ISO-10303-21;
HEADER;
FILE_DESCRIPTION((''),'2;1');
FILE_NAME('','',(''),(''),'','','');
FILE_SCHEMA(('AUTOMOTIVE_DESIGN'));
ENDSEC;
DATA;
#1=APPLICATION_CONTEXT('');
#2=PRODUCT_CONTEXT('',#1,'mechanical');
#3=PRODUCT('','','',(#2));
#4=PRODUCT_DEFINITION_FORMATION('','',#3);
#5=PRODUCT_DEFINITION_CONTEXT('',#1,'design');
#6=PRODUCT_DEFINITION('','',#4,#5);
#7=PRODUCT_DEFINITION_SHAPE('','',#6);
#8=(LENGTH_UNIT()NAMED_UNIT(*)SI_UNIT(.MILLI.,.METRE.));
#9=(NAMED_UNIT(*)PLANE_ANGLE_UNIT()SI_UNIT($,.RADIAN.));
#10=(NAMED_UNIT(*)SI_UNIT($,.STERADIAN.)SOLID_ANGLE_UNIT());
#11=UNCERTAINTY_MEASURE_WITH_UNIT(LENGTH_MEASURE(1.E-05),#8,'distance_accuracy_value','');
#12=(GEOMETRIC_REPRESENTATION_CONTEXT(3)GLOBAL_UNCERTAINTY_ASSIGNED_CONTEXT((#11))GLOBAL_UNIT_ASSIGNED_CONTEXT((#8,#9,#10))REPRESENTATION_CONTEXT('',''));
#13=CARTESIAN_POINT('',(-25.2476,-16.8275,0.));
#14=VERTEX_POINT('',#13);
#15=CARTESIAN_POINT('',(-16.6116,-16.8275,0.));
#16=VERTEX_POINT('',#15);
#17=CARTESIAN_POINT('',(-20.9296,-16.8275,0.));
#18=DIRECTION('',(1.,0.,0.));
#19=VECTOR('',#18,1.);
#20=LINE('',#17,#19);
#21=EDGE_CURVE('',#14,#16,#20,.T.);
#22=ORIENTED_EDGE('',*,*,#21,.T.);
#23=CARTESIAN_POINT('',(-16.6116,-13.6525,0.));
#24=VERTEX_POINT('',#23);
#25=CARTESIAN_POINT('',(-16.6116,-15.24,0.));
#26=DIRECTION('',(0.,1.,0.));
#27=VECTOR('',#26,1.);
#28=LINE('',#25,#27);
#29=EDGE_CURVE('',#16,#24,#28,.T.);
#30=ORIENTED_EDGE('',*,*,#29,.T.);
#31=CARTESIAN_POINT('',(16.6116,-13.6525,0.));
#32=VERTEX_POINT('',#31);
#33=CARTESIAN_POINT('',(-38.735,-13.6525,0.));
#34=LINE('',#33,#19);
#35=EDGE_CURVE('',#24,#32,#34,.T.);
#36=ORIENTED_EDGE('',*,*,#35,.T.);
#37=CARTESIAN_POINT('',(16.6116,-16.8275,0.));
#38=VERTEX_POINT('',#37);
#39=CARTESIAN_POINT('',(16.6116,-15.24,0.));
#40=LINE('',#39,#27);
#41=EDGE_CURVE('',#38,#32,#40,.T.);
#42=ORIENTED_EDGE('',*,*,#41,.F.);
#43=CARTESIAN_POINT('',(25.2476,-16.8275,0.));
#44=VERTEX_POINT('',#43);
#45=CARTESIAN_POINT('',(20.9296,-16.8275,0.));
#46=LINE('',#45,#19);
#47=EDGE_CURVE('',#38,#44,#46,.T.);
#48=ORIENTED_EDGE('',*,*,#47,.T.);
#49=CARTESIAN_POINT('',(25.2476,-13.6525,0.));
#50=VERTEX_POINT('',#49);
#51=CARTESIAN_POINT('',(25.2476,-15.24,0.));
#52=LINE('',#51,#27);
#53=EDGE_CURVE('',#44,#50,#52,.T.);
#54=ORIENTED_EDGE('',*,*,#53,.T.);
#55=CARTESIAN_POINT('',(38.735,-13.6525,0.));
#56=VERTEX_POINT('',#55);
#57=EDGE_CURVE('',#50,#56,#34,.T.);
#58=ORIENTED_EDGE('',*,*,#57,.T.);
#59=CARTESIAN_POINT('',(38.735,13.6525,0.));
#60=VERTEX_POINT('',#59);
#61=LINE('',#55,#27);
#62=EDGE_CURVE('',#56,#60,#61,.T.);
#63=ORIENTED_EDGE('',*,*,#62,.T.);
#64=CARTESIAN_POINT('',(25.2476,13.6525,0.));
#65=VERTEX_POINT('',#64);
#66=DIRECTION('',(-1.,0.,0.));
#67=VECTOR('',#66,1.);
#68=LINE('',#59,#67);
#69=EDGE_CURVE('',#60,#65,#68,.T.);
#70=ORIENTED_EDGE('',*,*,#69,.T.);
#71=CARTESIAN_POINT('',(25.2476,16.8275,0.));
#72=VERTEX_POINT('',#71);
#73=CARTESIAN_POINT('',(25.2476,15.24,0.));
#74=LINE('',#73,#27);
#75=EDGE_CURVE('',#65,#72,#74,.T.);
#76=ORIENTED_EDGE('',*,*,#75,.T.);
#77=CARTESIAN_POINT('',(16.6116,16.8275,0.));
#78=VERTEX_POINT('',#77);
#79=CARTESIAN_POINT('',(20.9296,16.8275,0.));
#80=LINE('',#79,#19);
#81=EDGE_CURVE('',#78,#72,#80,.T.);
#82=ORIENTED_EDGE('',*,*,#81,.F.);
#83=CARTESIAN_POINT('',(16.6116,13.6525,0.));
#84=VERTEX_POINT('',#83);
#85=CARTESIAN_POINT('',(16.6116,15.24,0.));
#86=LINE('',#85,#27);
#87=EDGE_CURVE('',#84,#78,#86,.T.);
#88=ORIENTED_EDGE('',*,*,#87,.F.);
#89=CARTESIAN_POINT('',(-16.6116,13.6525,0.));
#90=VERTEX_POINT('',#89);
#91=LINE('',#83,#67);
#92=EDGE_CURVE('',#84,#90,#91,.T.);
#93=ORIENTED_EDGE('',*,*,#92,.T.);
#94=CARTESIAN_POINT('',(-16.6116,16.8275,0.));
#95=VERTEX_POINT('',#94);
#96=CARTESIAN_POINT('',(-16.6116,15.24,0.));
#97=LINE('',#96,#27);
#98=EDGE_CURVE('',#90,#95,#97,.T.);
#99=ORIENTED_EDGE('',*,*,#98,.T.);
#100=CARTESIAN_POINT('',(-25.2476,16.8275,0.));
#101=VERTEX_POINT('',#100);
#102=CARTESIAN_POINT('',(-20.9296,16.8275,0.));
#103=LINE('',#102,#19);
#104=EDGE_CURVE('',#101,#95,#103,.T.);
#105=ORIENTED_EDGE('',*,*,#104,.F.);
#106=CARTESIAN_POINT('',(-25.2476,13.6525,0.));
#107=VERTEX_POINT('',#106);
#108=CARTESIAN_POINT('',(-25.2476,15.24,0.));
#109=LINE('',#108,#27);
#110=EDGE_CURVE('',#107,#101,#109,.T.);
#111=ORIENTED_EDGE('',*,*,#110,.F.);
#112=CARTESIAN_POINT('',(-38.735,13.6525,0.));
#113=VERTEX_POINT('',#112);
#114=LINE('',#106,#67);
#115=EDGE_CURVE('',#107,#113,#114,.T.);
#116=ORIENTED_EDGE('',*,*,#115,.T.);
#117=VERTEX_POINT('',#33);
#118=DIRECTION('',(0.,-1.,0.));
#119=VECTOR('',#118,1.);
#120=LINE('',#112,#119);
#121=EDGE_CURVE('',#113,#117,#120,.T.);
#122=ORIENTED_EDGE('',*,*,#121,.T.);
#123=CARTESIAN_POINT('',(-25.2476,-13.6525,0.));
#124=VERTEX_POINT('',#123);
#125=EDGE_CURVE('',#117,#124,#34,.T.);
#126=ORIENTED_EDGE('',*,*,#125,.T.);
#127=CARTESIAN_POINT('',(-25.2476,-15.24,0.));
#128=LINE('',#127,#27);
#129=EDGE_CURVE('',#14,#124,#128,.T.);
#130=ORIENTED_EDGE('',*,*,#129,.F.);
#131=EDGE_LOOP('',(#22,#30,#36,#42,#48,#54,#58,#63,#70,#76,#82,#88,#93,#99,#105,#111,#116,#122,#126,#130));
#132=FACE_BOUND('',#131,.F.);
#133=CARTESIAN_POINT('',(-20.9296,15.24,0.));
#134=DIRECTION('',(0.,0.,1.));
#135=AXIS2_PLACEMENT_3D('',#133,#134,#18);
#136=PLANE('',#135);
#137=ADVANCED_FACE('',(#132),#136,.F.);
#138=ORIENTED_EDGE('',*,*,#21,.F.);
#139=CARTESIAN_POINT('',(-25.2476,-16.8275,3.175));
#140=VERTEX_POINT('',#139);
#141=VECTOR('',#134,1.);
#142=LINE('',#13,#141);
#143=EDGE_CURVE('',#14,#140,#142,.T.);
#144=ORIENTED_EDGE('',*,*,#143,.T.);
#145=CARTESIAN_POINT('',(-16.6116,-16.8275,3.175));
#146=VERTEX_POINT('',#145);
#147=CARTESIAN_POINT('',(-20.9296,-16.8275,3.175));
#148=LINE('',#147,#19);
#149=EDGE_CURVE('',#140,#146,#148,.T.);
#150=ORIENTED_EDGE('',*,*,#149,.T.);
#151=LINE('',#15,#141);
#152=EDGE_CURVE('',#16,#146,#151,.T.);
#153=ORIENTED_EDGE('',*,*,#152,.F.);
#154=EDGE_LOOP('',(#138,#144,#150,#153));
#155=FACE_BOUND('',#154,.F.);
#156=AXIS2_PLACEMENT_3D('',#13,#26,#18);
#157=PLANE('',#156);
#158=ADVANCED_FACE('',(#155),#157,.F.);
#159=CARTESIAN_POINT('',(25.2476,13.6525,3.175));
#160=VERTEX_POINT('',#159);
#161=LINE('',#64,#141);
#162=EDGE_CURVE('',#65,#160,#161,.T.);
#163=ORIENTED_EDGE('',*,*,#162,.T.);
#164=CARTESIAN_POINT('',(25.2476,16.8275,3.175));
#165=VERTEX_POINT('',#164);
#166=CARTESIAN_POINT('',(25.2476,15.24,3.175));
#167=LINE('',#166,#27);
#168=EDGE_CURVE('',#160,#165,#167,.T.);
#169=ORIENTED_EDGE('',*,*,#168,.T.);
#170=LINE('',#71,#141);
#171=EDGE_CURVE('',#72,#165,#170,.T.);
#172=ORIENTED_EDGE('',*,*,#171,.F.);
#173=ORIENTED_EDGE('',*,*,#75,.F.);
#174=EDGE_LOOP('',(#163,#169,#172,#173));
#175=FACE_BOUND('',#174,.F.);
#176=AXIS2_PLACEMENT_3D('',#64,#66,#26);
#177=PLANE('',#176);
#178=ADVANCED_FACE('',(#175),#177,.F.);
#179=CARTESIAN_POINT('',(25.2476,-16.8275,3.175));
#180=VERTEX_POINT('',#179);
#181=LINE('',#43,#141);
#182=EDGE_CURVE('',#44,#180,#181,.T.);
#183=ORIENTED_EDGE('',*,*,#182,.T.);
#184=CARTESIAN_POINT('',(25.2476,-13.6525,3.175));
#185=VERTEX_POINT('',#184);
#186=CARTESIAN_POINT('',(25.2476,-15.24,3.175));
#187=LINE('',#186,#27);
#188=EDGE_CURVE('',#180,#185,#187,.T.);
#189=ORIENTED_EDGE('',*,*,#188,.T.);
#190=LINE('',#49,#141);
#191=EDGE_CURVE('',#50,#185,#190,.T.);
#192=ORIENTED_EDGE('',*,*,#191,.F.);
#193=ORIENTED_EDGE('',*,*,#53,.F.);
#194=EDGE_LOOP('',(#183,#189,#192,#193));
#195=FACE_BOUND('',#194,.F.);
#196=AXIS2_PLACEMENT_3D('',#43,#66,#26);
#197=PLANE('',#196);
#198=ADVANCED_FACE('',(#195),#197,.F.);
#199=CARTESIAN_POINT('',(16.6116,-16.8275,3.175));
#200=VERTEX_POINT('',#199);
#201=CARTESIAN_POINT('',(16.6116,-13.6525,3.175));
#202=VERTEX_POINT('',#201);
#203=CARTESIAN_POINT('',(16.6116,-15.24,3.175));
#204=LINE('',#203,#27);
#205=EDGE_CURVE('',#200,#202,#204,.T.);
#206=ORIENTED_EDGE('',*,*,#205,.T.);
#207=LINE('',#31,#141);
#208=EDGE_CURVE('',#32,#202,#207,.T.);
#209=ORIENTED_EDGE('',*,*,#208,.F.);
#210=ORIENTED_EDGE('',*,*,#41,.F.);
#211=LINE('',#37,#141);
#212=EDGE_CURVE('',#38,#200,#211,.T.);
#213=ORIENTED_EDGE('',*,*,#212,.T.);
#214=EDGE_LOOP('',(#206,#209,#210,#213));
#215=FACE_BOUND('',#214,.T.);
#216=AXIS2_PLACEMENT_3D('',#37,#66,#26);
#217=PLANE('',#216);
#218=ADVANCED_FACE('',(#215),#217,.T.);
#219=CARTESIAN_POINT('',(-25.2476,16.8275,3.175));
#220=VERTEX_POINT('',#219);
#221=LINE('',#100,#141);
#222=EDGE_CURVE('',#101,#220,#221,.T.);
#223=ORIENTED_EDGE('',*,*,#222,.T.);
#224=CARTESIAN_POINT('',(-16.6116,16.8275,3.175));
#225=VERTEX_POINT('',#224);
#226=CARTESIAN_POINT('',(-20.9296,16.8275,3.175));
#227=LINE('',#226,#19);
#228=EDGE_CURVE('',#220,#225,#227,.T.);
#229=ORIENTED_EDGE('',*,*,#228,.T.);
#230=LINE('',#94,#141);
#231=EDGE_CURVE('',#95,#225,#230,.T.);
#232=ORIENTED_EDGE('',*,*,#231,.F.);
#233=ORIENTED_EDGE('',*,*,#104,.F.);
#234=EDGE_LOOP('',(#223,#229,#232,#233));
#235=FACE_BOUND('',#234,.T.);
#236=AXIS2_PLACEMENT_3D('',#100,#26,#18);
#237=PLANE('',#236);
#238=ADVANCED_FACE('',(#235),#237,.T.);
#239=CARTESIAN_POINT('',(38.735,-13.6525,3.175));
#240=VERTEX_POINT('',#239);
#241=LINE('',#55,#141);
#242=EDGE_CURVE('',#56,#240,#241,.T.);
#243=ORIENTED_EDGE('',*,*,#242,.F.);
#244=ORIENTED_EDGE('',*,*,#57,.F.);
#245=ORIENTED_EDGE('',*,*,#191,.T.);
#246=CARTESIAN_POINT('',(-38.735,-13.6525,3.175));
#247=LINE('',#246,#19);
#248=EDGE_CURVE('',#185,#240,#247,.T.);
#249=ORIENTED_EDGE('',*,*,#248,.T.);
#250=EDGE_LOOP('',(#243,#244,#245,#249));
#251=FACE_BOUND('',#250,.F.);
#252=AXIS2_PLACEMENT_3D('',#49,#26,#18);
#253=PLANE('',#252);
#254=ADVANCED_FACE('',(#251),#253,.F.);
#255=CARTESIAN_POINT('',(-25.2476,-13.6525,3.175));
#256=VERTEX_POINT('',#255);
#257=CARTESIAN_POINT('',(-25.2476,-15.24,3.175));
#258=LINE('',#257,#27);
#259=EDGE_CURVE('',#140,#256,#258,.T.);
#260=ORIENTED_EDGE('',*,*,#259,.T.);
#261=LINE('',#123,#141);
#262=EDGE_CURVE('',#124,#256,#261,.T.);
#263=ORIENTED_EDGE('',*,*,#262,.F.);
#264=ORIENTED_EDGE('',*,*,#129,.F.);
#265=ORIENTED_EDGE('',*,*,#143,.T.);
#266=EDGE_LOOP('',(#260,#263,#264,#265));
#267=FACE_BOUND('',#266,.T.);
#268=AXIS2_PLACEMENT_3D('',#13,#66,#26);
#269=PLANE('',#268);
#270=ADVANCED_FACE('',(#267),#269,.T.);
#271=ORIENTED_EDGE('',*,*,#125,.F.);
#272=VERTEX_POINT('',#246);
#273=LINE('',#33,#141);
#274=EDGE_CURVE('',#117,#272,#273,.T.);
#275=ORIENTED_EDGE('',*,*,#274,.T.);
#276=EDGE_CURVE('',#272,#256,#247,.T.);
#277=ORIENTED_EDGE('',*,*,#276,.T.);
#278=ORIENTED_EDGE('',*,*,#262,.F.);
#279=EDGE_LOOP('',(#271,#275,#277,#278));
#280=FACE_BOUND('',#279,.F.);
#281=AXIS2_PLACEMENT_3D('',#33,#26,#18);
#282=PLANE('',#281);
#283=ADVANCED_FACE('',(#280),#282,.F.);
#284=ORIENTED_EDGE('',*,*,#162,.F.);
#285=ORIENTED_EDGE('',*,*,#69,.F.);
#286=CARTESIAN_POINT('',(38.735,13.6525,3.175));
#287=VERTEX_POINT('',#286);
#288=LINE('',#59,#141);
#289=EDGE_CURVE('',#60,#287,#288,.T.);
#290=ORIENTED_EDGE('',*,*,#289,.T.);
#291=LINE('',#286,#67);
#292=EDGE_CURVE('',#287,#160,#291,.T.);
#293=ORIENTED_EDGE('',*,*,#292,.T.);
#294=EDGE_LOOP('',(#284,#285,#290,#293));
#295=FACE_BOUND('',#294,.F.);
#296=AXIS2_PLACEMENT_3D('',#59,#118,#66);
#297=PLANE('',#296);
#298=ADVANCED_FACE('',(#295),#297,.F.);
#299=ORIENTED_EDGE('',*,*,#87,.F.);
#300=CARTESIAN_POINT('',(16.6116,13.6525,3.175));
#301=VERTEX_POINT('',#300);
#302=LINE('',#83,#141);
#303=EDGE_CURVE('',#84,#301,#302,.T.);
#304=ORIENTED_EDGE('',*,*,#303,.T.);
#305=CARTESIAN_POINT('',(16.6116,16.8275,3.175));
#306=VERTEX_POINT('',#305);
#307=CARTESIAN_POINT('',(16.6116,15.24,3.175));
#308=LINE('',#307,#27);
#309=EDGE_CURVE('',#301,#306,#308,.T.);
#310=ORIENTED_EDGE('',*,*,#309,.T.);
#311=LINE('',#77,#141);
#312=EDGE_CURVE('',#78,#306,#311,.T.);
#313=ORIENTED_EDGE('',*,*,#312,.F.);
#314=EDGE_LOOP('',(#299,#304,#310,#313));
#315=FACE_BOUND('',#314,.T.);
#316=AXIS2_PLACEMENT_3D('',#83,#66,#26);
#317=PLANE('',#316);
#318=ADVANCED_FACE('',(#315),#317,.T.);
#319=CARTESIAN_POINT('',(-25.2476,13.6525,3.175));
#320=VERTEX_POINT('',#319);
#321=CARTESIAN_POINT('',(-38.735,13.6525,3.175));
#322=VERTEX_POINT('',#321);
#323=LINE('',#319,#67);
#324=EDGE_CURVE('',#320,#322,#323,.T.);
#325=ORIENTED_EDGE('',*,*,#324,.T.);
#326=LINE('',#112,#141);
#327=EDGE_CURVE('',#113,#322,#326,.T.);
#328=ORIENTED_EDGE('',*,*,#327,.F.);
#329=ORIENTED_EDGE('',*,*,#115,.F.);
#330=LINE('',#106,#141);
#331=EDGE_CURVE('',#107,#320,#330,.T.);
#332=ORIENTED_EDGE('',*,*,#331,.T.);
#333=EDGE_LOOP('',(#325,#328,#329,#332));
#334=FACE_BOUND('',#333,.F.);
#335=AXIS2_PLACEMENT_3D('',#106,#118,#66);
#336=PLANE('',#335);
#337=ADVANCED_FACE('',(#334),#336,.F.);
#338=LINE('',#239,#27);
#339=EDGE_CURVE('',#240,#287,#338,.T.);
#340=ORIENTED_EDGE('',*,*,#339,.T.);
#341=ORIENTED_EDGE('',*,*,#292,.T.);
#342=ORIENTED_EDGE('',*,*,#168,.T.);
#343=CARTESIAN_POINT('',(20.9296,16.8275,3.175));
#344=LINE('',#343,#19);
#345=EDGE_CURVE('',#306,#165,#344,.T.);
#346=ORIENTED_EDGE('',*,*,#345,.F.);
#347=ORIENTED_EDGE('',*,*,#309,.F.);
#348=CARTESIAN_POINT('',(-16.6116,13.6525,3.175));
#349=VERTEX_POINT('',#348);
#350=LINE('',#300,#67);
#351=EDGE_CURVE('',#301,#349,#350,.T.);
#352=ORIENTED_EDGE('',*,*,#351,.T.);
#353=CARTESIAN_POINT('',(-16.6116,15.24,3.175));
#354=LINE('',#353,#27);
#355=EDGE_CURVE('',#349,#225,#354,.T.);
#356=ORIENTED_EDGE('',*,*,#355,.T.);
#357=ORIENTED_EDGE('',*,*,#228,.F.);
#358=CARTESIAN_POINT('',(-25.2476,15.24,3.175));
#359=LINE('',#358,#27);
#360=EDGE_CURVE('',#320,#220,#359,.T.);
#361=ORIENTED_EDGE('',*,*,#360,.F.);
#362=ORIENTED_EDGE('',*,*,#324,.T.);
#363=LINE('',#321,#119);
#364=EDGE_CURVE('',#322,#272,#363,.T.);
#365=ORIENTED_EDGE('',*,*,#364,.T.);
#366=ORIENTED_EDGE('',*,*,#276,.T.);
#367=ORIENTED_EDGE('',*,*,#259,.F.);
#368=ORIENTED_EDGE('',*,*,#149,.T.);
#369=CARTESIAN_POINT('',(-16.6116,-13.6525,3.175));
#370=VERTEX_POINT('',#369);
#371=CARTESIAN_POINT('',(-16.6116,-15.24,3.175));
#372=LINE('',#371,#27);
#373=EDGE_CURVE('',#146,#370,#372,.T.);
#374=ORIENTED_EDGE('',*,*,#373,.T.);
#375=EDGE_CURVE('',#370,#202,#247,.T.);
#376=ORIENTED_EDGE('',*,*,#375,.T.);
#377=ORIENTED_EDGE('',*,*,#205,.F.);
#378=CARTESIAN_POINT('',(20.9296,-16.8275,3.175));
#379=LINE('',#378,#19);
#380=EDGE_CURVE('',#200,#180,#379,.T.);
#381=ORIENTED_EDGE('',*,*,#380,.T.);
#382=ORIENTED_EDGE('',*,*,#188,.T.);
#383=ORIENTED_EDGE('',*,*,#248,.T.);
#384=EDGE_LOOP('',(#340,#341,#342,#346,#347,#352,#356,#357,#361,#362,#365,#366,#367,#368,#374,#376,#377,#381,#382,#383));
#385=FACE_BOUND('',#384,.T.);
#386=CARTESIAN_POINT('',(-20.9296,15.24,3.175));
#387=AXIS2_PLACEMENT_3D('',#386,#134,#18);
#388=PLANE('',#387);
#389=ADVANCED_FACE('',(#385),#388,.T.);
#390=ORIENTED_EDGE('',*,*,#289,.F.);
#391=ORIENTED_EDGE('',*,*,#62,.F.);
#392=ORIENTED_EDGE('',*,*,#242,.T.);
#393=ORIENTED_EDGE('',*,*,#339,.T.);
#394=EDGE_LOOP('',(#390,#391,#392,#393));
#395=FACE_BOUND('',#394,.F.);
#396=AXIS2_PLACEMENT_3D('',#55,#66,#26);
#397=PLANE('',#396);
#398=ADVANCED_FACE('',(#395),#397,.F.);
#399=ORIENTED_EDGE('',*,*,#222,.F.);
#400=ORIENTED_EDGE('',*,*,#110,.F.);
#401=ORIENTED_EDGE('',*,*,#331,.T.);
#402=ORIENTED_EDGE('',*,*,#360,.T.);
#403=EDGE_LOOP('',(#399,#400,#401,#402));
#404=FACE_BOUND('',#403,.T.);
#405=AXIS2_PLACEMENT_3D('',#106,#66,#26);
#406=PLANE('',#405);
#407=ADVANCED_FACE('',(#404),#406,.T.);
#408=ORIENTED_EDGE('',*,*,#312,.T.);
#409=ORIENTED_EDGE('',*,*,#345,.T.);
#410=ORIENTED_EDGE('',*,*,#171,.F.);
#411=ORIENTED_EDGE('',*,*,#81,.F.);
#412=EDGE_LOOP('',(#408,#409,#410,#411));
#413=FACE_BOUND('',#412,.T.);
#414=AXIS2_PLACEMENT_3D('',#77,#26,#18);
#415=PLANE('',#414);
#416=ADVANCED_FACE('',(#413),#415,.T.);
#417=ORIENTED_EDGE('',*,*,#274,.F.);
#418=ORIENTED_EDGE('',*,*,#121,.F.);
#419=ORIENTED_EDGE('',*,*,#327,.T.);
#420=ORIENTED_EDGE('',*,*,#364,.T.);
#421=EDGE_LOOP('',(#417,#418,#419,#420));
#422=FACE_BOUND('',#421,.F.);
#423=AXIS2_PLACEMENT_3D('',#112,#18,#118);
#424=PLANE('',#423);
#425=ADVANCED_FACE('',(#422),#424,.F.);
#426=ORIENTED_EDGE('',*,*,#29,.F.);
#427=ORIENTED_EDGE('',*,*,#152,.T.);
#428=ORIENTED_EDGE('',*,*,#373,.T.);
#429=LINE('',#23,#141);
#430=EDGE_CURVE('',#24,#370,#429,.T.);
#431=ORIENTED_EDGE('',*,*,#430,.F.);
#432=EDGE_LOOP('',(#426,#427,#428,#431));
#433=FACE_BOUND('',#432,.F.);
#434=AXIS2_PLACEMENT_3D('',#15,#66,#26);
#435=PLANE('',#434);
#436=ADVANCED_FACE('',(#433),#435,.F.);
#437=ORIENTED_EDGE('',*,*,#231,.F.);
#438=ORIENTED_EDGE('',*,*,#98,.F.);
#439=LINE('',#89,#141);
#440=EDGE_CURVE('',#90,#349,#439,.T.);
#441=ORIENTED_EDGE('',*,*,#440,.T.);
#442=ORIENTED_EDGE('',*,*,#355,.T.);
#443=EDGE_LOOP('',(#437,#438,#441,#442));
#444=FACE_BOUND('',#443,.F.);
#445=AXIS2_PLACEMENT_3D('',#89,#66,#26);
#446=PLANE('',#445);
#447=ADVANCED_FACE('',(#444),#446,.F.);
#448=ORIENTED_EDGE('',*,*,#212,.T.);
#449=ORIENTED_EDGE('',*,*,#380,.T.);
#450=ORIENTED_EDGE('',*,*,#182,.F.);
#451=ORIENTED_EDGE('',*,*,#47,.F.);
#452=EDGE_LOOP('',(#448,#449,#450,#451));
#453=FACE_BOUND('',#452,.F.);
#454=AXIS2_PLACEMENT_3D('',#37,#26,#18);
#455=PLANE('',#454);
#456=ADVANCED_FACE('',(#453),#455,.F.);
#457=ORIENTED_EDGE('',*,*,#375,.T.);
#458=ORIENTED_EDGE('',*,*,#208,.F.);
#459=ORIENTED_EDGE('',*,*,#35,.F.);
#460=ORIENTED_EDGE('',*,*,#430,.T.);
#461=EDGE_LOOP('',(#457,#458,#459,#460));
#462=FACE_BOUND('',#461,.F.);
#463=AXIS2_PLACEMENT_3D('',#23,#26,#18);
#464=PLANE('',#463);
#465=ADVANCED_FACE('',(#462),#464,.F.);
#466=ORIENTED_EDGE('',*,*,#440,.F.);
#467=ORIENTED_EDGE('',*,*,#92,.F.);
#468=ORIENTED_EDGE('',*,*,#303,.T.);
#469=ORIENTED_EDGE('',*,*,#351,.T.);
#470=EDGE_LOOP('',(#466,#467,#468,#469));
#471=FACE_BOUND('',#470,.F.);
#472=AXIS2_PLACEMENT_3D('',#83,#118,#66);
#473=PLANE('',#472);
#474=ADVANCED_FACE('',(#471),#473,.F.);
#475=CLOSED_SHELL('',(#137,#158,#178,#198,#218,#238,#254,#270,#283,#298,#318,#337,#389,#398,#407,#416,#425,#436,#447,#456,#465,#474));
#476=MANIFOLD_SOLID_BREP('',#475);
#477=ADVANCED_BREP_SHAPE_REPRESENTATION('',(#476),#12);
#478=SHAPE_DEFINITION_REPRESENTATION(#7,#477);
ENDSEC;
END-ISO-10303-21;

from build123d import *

# Parameters (mm, degrees)
F0_W     = 8.636
F0_H     = 3.175
F1_DEPTH = 3.175


with BuildPart() as f1:
    # F0 (on Top) → F1 (new body)
    with BuildSketch(Plane.XY):
        with Locations((-20.9296, 15.24)):
            Rectangle(F0_W, F0_H)
        with Locations((20.9296, 15.24)):
            Rectangle(F0_W, F0_H)
        Polygon((-25.2476, 13.6525), (-38.735, 13.6525), (-38.735, -13.6525), (-25.2476, -13.6525), (-16.6116, -13.6525), (16.6116, -13.6525), (25.2476, -13.6525), (38.735, -13.6525), (38.735, 13.6525), (25.2476, 13.6525), (16.6116, 13.6525), (-16.6116, 13.6525), align=None)
        with Locations((-20.9296, -15.24)):
            Rectangle(F0_W, F0_H)
        with Locations((20.9296, -15.24)):
            Rectangle(F0_W, F0_H)
    extrude(amount=F1_DEPTH)


solid = f1.part
